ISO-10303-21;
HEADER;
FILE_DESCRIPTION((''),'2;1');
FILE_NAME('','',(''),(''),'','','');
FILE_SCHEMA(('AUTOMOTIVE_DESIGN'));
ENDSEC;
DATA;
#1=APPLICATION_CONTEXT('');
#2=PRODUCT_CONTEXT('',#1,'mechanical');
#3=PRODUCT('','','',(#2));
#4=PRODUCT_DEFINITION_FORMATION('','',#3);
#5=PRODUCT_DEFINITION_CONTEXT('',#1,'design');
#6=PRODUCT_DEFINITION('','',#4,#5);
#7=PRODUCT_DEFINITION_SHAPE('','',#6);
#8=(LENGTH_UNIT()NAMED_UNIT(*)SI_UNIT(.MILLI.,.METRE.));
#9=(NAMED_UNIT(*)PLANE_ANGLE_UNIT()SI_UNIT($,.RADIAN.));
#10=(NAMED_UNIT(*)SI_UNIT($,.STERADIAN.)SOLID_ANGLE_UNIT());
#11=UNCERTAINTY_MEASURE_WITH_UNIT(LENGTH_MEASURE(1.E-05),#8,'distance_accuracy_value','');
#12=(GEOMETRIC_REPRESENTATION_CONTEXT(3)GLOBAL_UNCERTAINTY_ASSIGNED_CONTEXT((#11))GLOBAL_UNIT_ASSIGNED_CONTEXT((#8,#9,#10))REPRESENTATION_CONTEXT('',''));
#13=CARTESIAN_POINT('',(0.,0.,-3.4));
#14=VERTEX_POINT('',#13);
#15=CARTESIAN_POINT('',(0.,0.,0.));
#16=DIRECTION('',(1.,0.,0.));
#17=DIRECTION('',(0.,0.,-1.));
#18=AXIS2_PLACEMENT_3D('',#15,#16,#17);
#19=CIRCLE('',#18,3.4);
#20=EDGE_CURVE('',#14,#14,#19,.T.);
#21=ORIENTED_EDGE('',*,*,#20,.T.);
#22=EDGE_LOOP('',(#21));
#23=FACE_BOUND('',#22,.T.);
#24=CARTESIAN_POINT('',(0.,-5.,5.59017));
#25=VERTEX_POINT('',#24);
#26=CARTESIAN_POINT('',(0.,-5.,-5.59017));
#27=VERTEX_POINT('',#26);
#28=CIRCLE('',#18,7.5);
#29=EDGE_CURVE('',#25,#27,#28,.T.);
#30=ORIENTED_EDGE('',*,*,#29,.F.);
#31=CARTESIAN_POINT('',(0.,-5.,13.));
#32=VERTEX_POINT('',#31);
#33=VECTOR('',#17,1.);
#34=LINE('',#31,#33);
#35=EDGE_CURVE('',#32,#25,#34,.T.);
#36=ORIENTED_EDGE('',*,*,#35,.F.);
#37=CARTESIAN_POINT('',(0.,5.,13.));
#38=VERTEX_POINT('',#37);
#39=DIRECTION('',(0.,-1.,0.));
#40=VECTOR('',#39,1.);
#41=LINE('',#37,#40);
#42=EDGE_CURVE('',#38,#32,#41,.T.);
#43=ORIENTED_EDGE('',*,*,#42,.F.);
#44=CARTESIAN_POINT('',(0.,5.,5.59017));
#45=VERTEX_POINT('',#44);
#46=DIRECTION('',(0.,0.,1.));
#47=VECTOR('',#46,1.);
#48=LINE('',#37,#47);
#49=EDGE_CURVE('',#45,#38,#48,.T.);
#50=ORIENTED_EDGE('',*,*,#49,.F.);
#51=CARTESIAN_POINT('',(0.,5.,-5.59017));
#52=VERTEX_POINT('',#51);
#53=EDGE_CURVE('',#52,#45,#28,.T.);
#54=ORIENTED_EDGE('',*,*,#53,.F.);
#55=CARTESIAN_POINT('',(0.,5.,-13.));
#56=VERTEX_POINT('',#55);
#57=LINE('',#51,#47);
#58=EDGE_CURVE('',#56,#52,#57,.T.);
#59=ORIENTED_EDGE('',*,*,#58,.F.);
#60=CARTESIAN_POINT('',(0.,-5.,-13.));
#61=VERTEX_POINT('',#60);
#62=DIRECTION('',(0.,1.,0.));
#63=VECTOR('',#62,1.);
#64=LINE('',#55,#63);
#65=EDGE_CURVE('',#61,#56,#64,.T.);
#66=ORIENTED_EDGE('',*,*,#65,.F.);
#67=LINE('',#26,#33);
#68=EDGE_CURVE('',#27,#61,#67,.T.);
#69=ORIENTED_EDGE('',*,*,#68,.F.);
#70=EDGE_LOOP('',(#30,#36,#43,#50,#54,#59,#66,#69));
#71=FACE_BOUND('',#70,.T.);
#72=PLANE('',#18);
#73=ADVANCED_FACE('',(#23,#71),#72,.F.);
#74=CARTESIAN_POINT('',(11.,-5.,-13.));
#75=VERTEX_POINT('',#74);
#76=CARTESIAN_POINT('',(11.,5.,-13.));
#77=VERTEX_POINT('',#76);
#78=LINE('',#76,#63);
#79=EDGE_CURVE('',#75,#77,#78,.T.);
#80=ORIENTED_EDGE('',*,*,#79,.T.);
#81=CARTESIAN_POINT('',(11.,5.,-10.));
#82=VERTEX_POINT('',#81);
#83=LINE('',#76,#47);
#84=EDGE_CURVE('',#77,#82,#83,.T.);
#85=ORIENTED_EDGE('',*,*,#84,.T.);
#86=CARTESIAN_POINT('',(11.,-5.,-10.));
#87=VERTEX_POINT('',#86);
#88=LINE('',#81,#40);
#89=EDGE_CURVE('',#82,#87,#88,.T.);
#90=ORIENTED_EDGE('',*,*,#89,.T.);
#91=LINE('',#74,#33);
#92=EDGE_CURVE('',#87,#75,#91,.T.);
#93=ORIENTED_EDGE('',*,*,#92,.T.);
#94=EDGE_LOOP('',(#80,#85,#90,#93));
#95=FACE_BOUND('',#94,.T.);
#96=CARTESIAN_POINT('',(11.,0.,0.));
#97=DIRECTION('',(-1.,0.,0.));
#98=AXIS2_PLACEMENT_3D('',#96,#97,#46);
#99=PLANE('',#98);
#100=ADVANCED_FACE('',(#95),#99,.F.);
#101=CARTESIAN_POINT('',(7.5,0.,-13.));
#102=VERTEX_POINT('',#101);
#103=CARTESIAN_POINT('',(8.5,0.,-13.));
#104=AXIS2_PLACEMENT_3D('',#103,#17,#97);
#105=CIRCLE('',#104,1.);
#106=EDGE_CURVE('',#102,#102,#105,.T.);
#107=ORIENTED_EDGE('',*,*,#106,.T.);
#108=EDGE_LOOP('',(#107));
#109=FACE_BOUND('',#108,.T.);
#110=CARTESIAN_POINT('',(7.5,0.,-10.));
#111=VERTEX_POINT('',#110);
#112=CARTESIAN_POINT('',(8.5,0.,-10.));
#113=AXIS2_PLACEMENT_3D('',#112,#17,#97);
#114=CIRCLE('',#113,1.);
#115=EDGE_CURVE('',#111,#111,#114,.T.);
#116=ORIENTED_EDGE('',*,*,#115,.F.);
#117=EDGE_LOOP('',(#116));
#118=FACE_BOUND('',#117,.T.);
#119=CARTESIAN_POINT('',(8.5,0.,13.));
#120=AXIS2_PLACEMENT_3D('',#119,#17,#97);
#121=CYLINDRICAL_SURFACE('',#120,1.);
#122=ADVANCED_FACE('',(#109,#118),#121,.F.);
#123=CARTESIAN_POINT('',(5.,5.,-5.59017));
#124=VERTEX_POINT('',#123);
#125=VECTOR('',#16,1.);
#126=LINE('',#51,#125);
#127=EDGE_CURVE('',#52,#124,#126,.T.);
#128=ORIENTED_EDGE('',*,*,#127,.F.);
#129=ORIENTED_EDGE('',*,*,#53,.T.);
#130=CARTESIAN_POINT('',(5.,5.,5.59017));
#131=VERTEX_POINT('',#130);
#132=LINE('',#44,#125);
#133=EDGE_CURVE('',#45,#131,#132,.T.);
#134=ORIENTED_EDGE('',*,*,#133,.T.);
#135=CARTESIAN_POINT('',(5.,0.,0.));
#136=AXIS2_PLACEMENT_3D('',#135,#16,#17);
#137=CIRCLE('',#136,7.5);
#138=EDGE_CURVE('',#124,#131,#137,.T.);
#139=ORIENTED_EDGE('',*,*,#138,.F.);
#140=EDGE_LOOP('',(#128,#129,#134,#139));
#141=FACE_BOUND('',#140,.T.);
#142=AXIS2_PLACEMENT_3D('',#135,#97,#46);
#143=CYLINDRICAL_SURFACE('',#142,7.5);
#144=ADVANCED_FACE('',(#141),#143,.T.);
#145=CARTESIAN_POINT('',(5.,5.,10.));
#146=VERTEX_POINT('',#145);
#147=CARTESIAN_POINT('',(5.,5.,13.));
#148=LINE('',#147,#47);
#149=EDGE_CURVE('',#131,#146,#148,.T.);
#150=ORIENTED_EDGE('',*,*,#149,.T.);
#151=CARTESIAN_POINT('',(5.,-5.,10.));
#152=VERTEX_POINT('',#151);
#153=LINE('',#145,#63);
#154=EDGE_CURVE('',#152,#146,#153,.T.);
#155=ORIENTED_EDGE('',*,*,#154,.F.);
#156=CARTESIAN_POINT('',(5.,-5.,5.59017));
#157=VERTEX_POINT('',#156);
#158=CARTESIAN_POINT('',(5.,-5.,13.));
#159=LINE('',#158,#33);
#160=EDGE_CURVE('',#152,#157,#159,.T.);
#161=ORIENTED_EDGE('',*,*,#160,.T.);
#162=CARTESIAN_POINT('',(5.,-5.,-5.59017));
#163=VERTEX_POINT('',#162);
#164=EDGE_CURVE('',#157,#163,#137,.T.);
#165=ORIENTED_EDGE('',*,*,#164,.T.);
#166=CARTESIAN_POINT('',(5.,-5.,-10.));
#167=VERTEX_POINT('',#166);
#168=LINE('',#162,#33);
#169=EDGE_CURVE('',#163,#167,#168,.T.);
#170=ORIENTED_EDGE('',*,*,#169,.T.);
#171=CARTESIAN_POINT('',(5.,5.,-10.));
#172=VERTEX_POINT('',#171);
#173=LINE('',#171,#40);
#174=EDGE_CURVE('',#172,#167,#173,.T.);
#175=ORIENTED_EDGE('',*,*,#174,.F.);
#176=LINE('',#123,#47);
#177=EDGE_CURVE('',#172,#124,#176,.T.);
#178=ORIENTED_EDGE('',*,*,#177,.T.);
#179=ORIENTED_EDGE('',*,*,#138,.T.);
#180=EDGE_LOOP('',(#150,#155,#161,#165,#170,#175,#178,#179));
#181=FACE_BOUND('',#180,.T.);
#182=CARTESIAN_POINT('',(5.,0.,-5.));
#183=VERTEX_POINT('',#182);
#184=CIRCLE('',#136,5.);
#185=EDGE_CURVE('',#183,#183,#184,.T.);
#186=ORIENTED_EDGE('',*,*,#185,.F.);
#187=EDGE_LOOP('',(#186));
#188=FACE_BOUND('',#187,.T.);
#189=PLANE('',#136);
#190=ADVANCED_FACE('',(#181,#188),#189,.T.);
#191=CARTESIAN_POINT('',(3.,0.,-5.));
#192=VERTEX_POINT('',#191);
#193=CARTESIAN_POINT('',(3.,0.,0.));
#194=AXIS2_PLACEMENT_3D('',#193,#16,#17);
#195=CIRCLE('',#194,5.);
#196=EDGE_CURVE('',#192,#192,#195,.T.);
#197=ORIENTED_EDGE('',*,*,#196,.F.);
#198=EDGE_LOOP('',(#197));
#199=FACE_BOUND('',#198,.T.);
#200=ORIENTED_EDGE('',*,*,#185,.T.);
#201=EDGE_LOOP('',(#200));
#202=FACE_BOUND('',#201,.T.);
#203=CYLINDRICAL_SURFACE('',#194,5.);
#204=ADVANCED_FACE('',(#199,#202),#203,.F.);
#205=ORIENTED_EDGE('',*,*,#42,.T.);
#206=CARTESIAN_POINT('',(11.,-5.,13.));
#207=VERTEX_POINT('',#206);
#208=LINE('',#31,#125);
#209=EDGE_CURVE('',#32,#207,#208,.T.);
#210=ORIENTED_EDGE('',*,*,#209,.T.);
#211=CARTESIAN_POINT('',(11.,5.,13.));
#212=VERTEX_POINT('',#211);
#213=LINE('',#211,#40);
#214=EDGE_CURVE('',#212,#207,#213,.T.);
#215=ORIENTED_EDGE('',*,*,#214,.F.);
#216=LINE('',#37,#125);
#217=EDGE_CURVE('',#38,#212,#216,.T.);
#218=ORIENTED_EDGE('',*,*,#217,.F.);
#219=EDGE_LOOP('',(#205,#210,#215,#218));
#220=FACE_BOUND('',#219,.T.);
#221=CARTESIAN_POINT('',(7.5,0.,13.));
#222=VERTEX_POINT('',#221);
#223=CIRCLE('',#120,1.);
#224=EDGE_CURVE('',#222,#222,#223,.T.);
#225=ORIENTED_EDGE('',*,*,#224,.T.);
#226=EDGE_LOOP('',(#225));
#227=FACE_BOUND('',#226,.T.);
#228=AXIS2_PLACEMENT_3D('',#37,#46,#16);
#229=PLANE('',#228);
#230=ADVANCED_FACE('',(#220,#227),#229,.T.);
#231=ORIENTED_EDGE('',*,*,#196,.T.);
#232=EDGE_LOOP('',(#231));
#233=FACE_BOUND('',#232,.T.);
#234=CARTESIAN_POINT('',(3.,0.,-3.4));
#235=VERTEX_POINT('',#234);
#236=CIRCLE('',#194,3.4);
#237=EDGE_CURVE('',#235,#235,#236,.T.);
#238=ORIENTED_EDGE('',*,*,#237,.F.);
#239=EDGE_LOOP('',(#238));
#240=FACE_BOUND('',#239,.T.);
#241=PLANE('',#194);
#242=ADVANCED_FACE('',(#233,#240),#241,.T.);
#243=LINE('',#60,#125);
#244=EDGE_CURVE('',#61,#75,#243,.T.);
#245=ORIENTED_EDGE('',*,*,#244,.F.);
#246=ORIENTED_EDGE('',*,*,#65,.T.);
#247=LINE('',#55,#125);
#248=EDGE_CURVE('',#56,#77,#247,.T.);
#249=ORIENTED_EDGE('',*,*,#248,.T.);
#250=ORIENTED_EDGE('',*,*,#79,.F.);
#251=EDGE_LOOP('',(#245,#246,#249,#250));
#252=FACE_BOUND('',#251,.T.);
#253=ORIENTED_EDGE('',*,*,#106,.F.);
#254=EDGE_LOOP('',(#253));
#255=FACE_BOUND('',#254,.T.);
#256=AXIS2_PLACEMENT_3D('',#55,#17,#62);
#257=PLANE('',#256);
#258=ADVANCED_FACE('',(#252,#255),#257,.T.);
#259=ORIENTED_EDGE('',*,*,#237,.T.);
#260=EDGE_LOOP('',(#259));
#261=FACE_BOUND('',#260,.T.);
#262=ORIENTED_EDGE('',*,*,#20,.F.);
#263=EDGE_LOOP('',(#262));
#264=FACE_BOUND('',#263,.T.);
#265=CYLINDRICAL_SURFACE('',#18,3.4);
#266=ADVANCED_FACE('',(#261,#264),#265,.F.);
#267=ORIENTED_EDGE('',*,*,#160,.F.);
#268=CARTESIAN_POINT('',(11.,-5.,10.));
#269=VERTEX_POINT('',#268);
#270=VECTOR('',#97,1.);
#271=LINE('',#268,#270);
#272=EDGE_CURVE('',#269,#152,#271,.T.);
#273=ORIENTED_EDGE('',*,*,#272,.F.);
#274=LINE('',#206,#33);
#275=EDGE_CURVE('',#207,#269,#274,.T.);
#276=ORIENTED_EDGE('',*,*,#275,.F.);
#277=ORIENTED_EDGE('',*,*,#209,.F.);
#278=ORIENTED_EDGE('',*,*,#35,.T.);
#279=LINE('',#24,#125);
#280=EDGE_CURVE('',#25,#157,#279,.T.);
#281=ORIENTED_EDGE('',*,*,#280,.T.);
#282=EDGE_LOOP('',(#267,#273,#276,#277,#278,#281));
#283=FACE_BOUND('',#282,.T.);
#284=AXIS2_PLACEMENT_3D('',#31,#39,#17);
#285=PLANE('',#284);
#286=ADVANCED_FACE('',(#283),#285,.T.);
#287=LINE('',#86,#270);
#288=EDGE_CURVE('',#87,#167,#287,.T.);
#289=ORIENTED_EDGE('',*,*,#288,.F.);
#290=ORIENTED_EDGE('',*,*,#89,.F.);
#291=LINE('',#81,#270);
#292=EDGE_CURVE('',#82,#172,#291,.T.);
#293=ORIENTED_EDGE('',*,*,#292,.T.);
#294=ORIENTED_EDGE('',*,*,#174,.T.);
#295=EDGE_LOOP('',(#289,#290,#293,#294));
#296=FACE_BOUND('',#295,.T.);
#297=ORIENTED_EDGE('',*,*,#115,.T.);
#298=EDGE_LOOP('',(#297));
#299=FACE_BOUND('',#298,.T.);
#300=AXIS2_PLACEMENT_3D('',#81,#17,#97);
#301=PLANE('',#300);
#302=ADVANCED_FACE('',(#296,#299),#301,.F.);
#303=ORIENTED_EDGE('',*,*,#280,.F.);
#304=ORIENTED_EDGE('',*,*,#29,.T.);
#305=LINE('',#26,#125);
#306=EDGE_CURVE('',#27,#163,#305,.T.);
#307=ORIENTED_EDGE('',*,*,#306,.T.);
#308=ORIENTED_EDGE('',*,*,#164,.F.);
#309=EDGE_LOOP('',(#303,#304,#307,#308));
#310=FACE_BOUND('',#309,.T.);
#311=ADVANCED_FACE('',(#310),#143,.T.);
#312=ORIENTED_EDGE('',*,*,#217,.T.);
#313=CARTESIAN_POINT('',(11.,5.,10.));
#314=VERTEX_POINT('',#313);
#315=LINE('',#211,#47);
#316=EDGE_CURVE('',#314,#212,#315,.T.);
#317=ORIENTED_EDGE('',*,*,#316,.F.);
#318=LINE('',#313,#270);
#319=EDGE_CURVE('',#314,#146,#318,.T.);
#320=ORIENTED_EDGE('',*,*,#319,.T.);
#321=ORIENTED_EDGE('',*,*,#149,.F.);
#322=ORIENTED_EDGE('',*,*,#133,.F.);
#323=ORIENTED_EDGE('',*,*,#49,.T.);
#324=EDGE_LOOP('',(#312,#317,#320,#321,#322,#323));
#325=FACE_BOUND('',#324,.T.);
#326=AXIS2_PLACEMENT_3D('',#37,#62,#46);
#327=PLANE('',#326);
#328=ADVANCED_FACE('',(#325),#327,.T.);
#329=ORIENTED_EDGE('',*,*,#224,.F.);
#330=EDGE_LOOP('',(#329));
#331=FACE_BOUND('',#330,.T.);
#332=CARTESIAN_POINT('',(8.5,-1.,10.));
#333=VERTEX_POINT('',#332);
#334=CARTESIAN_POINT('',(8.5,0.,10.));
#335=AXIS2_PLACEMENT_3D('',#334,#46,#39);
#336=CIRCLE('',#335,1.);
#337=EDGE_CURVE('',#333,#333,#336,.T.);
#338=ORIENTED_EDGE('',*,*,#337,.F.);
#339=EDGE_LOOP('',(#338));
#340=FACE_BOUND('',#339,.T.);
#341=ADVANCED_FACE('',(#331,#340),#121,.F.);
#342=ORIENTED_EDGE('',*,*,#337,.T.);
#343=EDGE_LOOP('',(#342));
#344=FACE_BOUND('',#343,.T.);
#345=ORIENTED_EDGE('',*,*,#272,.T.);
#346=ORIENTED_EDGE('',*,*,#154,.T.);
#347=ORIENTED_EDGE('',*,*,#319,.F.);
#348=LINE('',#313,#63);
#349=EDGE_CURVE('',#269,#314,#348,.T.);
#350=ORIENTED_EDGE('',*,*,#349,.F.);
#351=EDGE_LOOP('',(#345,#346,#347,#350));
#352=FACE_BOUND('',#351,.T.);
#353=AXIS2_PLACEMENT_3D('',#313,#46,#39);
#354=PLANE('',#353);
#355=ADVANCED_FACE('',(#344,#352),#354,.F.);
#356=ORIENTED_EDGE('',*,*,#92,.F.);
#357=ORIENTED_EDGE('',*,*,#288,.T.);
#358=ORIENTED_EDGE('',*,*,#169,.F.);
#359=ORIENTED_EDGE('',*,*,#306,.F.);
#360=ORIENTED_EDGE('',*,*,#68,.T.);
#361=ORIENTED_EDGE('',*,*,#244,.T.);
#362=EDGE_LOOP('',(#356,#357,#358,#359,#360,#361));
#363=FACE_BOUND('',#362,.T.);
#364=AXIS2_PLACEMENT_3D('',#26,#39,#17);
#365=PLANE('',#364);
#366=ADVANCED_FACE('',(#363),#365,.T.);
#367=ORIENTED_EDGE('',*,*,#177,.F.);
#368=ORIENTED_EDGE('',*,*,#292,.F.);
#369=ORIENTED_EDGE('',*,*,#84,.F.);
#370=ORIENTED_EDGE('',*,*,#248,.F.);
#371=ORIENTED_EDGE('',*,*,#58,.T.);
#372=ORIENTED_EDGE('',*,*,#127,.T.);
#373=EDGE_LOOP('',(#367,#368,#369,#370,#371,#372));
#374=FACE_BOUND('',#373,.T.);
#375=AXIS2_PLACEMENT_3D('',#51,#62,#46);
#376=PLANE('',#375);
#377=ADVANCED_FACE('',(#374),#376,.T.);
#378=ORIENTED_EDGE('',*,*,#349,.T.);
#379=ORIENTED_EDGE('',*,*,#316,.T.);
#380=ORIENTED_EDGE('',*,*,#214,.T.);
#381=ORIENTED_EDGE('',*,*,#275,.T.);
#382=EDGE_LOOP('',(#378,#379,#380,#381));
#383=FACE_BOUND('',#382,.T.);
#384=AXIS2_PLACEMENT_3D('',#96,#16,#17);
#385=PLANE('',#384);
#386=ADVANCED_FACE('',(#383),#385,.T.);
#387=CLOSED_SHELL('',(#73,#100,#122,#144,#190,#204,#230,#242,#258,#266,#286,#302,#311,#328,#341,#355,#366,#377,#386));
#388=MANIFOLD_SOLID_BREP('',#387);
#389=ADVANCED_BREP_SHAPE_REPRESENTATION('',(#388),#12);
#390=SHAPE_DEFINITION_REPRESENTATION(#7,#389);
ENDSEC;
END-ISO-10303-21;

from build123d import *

# Parameters (mm, degrees)
SKETCH_1_R          = 7.5
EXTRUDE_1_DEPTH     = 5
SKETCH_2_R          = 5
CUT_EXTRUDE_1_DEPTH = 2
SKETCH_3_R          = 3.4
CUT_EXTRUDE_2_DEPTH = 12.022703843
SKETCH_4_W          = 7.409830056
SKETCH_4_H          = 10
EXTRUDE_3_DEPTH     = 5
SKETCH_5_W          = 3
SKETCH_5_H          = 10
EXTRUDE_4_DEPTH     = 6
SKETCH_6_R          = 1
CUT_EXTRUDE_3_DEPTH = 30.210443338


with BuildPart() as part:
    # 草图1 → 凸台-拉伸1 (new body)
    with BuildSketch(Plane(origin=(0, 0, 0), x_dir=(0, 0, -1), z_dir=(1, 0, 0))):
        Circle(SKETCH_1_R)
    extrude(amount=EXTRUDE_1_DEPTH)

    # 草图2 → 切除-拉伸1 (cut)
    with BuildSketch(Plane(origin=(5, 0, 0), x_dir=(0, 0, -1), z_dir=(1, 0, 0))):
        Circle(SKETCH_2_R)
    extrude(amount=-CUT_EXTRUDE_1_DEPTH, mode=Mode.SUBTRACT)

    # 草图3 → 切除-拉伸2 (cut, through all)
    with BuildSketch(Plane(origin=(3, 0, 0), x_dir=(0, 0, -1), z_dir=(1, 0, 0))):
        Circle(SKETCH_3_R)
    extrude(amount=-CUT_EXTRUDE_2_DEPTH, mode=Mode.SUBTRACT)

    # 草图4 → 凸台-拉伸3 (add)
    with BuildSketch(Plane(origin=(5, 0, 0), x_dir=(0, 0, -1), z_dir=(1, 0, 0))):
        with Locations((9.295084972, 0)):
            Rectangle(SKETCH_4_W, SKETCH_4_H)
        with Locations((-9.295084972, 0)):
            Rectangle(SKETCH_4_W, SKETCH_4_H)
    extrude(amount=-EXTRUDE_3_DEPTH)

    # 草图5 → 凸台-拉伸4 (add)
    with BuildSketch(Plane(origin=(5, 0, 0), x_dir=(0, 0, -1), z_dir=(1, 0, 0))):
        with Locations((11.5, 0)):
            Rectangle(SKETCH_5_W, SKETCH_5_H)
        with Locations((-11.5, 0)):
            Rectangle(SKETCH_5_W, SKETCH_5_H)
    extrude(amount=EXTRUDE_4_DEPTH)

    # 草图6 → 切除-拉伸3 (cut, through all)
    with BuildSketch(Plane(origin=(0, 0, -13), x_dir=(-1, 0, 0), z_dir=(0, 0, -1))):
        with Locations((-8.5, 0)):
            Circle(SKETCH_6_R)
    extrude(amount=-CUT_EXTRUDE_3_DEPTH, mode=Mode.SUBTRACT)


solid = part.part
